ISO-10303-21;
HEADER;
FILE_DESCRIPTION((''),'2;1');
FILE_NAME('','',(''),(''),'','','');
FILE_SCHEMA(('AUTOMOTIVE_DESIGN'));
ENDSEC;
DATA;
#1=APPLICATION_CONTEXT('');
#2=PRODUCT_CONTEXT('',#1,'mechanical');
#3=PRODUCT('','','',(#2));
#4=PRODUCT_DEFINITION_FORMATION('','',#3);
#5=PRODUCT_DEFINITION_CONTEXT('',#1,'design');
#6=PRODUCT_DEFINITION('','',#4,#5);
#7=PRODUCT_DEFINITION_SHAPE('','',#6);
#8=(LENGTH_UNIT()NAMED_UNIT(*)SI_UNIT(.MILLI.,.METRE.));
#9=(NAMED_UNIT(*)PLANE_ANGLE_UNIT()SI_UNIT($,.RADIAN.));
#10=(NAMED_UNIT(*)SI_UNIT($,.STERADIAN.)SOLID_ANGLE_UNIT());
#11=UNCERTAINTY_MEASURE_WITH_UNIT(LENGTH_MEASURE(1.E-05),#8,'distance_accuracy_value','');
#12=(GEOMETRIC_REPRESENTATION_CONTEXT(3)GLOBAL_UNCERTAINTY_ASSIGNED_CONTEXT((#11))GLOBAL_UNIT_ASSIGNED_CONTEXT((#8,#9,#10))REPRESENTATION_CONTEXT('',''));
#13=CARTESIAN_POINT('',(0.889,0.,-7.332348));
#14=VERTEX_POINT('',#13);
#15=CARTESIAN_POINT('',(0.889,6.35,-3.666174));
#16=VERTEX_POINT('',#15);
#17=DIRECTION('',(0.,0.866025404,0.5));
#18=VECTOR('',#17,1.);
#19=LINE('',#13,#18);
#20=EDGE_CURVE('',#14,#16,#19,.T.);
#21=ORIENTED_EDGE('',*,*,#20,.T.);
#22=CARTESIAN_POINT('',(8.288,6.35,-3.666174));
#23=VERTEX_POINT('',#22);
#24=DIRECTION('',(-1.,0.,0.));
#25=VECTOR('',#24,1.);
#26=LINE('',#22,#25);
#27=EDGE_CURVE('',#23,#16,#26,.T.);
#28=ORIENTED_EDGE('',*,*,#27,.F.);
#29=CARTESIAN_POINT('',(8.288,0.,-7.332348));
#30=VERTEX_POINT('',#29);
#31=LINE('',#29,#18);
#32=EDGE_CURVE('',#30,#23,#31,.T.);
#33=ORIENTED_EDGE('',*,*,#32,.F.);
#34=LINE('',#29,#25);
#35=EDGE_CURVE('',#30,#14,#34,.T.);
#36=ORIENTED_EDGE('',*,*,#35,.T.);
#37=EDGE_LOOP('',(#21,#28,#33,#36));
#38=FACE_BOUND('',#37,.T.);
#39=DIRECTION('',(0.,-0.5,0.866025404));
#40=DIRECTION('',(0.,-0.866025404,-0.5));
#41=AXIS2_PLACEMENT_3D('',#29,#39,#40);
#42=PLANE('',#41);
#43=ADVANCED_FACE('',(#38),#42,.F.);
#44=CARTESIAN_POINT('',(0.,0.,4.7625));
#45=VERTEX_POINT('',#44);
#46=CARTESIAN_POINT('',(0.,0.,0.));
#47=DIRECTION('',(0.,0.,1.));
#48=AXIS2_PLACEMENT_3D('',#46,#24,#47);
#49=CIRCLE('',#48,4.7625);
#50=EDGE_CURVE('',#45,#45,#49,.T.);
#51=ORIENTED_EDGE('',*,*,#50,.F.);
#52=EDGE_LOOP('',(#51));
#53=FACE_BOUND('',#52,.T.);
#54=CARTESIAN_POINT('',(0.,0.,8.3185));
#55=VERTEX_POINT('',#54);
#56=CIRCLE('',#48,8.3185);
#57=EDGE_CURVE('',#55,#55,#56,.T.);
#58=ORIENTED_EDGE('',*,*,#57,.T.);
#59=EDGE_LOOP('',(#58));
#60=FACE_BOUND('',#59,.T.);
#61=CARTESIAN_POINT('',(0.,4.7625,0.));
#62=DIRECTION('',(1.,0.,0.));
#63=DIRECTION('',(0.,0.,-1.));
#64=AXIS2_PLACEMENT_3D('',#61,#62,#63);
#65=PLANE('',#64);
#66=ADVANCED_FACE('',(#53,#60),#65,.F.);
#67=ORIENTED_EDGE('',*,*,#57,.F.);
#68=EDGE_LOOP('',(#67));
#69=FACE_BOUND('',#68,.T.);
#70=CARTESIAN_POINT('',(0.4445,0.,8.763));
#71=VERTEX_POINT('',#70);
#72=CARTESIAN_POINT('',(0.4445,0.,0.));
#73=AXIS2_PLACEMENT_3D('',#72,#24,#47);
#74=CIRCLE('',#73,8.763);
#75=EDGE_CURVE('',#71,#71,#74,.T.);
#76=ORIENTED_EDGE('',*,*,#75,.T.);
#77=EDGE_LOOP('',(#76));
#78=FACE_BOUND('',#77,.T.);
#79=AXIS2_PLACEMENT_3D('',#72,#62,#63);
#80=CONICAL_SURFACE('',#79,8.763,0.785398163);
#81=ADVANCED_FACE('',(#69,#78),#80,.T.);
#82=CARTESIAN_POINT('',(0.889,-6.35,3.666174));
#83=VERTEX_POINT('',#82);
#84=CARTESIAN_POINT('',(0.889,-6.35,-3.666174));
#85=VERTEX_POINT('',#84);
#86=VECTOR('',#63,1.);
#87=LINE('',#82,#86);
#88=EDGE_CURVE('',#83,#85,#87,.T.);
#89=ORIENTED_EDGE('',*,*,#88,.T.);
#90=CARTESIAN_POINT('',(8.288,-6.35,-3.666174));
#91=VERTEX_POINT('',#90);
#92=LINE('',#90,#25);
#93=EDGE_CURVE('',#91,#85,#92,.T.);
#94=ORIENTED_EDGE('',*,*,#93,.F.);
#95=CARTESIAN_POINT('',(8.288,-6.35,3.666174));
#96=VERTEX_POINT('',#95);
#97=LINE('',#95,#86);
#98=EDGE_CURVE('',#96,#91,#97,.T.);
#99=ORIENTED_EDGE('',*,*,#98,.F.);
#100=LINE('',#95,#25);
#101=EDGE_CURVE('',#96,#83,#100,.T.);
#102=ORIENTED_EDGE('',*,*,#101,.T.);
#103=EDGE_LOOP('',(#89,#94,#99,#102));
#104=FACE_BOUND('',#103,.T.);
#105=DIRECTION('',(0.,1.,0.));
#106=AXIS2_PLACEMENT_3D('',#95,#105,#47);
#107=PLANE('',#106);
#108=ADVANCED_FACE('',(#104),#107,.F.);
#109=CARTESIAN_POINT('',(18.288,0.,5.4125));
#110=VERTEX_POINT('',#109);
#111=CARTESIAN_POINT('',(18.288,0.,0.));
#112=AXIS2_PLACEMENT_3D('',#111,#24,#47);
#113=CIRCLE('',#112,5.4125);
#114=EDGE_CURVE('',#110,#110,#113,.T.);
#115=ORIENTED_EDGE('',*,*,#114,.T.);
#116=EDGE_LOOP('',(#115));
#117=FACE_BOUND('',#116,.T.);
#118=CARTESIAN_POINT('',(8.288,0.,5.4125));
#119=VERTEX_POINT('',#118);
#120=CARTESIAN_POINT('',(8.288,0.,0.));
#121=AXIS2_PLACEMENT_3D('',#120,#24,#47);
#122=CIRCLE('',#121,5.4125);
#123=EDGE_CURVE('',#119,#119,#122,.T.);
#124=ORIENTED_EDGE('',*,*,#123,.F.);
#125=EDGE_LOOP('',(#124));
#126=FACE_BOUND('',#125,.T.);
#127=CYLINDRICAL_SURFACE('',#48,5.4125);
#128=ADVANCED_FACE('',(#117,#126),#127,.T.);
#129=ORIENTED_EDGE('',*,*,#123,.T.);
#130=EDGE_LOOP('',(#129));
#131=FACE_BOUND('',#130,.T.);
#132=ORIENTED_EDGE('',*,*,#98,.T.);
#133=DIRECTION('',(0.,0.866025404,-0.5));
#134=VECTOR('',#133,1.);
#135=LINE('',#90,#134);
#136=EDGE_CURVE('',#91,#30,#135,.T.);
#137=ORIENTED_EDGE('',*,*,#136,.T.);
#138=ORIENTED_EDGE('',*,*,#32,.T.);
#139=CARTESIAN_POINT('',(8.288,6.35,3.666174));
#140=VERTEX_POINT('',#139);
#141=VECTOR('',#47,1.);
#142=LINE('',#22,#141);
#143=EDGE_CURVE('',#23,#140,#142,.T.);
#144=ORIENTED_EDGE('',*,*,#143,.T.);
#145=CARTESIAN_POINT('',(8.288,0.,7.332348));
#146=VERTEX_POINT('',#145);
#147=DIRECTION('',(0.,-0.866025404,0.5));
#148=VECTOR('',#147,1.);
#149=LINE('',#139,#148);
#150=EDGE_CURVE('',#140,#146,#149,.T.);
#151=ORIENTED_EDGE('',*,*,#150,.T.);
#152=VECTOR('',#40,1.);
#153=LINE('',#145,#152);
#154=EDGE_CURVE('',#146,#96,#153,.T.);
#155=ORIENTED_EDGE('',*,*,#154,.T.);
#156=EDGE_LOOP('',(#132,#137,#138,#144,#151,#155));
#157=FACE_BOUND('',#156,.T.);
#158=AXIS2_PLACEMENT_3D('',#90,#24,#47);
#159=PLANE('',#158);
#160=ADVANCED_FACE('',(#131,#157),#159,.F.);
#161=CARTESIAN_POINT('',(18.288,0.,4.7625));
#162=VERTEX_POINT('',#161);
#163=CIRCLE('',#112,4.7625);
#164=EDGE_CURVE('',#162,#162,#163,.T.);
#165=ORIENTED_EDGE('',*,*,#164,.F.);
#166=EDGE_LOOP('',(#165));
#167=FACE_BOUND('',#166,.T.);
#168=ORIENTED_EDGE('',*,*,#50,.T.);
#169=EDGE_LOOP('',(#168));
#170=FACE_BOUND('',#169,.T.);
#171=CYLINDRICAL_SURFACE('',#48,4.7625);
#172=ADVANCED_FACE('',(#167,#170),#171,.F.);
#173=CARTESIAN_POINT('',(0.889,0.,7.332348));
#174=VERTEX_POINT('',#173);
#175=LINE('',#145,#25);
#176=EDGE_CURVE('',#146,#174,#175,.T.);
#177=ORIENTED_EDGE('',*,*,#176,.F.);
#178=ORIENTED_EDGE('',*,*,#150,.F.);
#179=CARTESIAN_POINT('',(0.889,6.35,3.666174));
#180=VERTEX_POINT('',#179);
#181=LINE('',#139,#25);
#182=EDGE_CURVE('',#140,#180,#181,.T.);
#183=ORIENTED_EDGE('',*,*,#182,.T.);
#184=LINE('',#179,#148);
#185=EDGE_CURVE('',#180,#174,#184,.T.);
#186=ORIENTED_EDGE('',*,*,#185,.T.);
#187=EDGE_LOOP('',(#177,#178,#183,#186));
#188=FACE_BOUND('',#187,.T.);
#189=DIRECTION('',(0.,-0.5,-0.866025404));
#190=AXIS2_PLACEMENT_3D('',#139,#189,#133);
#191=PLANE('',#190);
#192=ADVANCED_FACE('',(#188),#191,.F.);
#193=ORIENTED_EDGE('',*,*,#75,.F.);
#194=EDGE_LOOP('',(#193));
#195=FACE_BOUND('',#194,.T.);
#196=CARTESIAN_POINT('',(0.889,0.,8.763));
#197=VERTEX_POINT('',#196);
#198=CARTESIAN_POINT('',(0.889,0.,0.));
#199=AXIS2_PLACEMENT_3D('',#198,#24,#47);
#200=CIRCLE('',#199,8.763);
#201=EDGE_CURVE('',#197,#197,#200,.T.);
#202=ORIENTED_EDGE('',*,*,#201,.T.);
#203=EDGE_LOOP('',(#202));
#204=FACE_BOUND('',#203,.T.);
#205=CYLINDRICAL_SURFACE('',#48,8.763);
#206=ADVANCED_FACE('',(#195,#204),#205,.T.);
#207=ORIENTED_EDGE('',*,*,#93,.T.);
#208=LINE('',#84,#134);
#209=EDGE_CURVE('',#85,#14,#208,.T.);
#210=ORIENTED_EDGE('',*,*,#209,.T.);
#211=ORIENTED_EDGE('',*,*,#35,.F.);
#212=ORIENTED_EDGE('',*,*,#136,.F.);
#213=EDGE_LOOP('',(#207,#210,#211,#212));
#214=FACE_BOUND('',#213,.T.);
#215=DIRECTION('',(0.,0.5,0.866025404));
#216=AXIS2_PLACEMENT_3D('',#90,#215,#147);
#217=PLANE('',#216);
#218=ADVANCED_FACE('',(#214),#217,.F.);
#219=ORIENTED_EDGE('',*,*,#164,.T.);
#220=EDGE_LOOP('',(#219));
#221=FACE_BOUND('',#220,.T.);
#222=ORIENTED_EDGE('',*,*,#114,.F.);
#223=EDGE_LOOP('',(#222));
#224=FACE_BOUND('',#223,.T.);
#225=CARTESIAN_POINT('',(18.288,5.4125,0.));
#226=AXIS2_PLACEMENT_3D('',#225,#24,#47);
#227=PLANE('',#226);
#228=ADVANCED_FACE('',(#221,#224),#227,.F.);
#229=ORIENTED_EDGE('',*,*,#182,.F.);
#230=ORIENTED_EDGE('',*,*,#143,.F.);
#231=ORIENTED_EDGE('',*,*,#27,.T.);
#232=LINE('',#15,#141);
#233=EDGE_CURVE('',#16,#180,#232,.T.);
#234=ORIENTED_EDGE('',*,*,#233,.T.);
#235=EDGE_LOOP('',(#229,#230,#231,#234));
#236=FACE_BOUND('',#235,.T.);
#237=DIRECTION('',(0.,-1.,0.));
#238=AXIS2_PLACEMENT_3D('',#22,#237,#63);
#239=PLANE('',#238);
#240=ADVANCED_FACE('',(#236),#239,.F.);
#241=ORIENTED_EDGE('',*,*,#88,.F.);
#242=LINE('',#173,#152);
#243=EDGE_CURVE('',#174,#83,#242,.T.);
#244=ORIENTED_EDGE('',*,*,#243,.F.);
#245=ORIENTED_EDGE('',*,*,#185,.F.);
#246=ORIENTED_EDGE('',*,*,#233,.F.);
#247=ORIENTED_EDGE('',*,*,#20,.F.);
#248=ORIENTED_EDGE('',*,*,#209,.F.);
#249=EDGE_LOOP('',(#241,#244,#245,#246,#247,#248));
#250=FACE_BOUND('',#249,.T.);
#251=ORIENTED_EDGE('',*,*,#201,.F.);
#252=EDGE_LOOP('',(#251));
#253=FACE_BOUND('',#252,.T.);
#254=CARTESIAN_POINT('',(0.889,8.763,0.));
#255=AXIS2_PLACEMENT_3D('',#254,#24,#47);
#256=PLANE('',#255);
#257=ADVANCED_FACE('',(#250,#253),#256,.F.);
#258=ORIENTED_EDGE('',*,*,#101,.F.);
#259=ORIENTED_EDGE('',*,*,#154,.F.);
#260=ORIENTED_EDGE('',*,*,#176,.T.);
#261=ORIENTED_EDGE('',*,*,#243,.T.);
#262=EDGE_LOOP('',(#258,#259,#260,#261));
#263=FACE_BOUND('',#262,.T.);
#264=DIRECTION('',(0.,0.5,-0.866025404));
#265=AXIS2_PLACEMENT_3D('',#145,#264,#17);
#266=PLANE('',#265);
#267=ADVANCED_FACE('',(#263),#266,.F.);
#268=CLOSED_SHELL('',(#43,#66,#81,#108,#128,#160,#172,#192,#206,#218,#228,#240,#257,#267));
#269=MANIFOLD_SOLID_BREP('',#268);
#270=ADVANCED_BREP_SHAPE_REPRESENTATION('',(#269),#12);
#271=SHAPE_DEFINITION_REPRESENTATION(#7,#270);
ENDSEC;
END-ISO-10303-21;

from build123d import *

# Parameters (mm, degrees)
EXTRUDE1_START = 7.399
SKETCH2_R      = 5.4125
EXTRUDE1_DEPTH = 7.399


with BuildPart() as part:
    # Sketch1 → Revolve1 (revolve)
    with BuildSketch(Plane.XY, mode=Mode.PRIVATE) as revolve1_sk:
        Polygon((0, 4.7625), (0, 8.3185), (0.4445, 8.763), (0.889, 8.763), (0.889, 5.4125), (18.288, 5.4125), (18.288, 4.7625), align=None)
    revolve(revolve1_sk.sketch.rotate(Axis((0, 0, 0), (1, 0, 0)), 90), axis=Axis((0, 0, 0), (1, 0, 0)))

    # Sketch2 → Extrude1 (add)
    with BuildSketch(Plane(origin=(0.889, 0, 0), x_dir=(0, 0, -1), z_dir=(1, 0, 0)).offset(EXTRUDE1_START)):
        Polygon((7.332348419, 0), (3.666174209, 6.35), (-3.666174209, 6.35), (-7.332348419, 0), (-3.666174209, -6.35), (3.666174209, -6.35), align=None)
        with Locations(Location((0, 0, 0), (0, 0, 180))):
            Circle(SKETCH2_R, mode=Mode.SUBTRACT)
    extrude(amount=-EXTRUDE1_DEPTH)


solid = part.part
